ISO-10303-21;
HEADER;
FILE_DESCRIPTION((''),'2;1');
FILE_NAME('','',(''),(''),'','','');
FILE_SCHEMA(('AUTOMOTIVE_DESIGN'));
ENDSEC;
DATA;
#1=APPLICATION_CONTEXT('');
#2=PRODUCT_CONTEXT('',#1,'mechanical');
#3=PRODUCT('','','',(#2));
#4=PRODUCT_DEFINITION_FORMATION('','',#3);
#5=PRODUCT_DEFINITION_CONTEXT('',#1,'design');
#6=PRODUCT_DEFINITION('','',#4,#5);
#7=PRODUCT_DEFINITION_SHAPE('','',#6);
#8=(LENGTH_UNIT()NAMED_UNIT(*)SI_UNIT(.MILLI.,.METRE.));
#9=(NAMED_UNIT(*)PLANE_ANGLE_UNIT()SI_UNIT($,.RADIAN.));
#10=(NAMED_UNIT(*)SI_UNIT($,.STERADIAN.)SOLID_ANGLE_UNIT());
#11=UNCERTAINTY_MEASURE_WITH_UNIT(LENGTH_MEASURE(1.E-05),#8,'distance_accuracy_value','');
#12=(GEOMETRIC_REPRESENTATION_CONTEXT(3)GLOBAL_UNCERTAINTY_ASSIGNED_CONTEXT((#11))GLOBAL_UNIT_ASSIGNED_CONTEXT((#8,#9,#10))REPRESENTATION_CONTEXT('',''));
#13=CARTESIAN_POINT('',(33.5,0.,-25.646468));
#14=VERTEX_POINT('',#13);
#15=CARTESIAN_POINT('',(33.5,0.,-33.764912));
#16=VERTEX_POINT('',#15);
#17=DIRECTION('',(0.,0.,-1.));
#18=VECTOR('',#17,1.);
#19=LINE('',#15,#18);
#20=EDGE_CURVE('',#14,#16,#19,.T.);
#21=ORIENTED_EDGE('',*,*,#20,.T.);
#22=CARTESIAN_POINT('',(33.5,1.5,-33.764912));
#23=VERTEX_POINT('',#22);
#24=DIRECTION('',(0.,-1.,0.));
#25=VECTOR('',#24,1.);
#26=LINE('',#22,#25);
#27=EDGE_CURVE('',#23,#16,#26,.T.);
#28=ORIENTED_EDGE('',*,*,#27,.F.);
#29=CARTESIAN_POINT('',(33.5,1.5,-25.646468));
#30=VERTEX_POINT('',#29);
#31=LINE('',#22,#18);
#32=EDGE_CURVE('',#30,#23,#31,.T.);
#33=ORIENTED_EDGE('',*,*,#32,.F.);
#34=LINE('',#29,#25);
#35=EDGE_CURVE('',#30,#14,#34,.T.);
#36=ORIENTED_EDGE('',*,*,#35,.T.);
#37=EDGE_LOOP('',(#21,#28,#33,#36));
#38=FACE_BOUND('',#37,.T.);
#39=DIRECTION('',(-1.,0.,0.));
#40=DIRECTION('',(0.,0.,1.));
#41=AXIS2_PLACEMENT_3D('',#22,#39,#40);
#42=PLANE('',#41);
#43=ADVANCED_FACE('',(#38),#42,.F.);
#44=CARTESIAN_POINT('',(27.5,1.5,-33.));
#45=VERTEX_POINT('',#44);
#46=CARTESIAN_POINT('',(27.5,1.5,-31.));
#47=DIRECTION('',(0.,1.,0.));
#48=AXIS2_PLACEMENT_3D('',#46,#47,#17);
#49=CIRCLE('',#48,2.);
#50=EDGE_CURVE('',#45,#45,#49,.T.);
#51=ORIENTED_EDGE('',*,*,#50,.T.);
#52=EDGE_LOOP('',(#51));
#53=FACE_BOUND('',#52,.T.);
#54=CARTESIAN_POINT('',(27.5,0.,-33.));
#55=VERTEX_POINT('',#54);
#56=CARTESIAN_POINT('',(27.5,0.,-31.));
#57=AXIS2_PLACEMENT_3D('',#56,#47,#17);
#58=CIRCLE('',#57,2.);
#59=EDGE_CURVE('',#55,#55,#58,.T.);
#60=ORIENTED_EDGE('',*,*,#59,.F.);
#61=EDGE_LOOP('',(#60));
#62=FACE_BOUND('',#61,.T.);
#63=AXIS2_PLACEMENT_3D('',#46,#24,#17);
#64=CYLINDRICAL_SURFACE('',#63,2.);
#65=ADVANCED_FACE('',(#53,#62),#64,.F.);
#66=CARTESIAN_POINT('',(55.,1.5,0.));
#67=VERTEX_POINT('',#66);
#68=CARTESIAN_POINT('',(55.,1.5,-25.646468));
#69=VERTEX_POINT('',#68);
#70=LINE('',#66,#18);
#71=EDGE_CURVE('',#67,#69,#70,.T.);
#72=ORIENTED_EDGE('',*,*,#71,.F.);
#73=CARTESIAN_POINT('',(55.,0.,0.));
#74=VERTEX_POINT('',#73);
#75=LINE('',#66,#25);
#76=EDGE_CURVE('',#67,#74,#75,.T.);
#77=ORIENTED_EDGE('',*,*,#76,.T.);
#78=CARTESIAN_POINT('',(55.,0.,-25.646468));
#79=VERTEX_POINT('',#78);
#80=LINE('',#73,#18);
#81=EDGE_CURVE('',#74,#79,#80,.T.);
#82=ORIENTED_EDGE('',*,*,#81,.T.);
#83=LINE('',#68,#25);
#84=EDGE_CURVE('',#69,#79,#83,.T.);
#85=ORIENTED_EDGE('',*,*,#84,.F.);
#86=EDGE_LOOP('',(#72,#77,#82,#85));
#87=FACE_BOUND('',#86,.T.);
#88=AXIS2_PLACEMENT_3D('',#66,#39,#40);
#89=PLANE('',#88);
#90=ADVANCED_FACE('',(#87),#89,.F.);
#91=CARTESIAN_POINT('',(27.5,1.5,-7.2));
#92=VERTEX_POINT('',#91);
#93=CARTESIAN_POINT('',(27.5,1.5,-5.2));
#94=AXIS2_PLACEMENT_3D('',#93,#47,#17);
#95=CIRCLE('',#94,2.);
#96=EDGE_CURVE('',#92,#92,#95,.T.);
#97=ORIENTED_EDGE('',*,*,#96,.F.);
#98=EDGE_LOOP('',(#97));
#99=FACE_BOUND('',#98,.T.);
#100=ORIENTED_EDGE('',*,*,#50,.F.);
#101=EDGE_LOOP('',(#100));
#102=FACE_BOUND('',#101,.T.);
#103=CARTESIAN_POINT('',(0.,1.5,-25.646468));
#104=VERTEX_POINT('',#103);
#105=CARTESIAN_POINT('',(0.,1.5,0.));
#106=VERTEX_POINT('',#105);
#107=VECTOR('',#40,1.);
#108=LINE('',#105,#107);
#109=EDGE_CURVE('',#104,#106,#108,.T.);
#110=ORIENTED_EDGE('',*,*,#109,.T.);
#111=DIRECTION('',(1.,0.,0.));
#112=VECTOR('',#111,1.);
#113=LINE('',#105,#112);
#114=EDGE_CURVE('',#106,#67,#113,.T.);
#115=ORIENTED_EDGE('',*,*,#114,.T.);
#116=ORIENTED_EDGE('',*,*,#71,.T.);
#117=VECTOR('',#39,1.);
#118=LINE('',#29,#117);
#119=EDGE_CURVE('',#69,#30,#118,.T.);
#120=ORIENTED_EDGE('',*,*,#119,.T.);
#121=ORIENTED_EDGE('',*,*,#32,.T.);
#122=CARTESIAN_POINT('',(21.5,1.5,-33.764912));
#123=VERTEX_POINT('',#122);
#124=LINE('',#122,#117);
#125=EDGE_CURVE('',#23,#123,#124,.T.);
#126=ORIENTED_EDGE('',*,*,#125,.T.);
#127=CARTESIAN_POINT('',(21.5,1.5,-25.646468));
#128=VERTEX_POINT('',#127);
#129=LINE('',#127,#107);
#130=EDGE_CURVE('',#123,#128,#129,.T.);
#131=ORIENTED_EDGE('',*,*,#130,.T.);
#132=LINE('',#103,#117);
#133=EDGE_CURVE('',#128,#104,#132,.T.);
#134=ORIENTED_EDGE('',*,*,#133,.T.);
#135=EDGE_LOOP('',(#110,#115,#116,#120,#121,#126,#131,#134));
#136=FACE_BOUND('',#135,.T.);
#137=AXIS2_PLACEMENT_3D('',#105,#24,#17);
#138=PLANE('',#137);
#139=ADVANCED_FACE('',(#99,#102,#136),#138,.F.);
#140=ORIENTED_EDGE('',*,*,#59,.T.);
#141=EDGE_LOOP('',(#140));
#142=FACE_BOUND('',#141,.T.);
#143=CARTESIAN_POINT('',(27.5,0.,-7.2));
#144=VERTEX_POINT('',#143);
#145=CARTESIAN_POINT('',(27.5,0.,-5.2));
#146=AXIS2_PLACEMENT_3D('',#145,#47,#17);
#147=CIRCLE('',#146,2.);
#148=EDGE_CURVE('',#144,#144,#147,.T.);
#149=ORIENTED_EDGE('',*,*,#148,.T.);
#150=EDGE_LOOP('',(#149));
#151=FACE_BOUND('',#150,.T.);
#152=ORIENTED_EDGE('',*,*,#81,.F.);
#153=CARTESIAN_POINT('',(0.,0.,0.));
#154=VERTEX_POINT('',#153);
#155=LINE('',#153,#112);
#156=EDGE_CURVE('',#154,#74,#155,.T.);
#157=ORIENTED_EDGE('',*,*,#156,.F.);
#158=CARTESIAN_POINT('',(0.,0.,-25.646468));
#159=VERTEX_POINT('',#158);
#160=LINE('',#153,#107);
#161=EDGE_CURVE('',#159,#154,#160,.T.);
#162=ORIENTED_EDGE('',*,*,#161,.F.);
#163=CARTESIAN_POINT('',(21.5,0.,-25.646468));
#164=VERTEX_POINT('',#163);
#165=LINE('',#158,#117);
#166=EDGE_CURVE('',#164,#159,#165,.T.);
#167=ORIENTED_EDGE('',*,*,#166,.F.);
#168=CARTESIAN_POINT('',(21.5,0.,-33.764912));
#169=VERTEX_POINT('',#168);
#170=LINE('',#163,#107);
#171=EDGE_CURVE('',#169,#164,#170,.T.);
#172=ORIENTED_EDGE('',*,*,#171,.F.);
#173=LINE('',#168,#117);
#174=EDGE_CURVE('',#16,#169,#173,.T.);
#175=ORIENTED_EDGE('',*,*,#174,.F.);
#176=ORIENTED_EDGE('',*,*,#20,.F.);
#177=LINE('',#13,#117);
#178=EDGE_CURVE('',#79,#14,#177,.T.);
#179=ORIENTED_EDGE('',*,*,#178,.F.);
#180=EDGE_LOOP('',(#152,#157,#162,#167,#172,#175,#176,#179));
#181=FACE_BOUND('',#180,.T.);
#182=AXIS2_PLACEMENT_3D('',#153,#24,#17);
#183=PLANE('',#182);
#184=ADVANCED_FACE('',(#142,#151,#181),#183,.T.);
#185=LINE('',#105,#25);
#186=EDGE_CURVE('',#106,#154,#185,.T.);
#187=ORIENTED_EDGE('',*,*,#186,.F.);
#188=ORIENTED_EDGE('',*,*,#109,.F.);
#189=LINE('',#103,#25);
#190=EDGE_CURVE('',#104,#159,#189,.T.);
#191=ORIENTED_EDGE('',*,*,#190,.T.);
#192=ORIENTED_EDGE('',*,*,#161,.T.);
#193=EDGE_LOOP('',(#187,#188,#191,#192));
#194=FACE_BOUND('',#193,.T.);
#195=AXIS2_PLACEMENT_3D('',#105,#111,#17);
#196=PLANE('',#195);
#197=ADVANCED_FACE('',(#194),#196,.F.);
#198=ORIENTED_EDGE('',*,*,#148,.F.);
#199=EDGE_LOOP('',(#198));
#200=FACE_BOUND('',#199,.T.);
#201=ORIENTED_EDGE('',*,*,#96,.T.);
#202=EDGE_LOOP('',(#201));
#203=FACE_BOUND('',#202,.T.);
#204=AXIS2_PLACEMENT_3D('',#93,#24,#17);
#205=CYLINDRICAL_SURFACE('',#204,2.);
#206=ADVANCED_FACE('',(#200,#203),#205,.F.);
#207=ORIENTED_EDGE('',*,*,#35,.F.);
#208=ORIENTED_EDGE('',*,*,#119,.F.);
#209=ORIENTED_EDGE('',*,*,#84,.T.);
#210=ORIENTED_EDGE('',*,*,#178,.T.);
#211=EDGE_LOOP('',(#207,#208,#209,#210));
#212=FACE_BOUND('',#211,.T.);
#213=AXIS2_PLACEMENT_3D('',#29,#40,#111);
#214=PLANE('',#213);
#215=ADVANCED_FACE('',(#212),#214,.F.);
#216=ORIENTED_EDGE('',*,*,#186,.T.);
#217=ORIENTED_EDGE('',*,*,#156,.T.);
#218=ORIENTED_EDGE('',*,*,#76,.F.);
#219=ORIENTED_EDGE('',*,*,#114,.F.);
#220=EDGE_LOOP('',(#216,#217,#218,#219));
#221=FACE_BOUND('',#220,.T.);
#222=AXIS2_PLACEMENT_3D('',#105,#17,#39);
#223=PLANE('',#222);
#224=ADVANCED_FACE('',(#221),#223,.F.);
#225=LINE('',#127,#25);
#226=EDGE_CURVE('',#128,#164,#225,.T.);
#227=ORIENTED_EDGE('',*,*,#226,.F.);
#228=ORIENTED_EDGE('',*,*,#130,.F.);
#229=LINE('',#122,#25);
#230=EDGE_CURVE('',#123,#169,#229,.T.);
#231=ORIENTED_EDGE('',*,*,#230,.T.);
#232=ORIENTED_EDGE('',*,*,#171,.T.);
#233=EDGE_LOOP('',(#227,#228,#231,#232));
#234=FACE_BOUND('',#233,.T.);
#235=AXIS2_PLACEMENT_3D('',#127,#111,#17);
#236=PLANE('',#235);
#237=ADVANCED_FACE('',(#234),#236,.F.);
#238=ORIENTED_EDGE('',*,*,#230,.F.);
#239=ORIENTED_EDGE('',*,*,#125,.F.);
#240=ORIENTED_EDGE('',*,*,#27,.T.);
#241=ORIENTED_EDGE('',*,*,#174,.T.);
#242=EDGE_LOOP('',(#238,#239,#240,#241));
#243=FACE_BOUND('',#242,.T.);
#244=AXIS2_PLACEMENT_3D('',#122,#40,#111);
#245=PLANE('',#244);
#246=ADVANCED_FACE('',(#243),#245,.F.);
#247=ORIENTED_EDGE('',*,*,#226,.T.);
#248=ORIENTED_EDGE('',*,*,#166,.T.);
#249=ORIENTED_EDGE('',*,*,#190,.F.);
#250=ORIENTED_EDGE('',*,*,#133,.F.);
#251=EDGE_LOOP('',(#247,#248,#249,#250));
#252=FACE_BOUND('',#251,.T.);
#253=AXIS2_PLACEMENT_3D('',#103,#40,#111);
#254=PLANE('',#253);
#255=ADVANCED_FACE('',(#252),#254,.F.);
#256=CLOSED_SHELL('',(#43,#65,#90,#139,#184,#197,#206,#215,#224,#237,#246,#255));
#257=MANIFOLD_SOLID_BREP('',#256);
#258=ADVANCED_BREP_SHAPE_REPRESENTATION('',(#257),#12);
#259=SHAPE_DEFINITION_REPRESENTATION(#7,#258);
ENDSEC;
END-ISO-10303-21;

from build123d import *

# Parameters (mm, degrees)
SKETCH_1_R      = 2
EXTRUDE_1_DEPTH = 1.5


with BuildPart() as part:
    # Эскиз1 → Бобышка-Вытянуть1 (new body)
    with BuildSketch(Plane(origin=(0, 0, 0), x_dir=(1, 0, 0), z_dir=(0, 1, 0))):
        Polygon((0, 25.646468405), (21.5, 25.646468405), (21.5, 33.764912407), (33.5, 33.764912407), (33.5, 25.646468405), (55, 25.646468405), (55, 0), (0, 0), align=None)
        with Locations((27.5, 31)):
            Circle(SKETCH_1_R, mode=Mode.SUBTRACT)
        with Locations((27.5, 5.2)):
            Circle(SKETCH_1_R, mode=Mode.SUBTRACT)
    extrude(amount=EXTRUDE_1_DEPTH)


solid = part.part
